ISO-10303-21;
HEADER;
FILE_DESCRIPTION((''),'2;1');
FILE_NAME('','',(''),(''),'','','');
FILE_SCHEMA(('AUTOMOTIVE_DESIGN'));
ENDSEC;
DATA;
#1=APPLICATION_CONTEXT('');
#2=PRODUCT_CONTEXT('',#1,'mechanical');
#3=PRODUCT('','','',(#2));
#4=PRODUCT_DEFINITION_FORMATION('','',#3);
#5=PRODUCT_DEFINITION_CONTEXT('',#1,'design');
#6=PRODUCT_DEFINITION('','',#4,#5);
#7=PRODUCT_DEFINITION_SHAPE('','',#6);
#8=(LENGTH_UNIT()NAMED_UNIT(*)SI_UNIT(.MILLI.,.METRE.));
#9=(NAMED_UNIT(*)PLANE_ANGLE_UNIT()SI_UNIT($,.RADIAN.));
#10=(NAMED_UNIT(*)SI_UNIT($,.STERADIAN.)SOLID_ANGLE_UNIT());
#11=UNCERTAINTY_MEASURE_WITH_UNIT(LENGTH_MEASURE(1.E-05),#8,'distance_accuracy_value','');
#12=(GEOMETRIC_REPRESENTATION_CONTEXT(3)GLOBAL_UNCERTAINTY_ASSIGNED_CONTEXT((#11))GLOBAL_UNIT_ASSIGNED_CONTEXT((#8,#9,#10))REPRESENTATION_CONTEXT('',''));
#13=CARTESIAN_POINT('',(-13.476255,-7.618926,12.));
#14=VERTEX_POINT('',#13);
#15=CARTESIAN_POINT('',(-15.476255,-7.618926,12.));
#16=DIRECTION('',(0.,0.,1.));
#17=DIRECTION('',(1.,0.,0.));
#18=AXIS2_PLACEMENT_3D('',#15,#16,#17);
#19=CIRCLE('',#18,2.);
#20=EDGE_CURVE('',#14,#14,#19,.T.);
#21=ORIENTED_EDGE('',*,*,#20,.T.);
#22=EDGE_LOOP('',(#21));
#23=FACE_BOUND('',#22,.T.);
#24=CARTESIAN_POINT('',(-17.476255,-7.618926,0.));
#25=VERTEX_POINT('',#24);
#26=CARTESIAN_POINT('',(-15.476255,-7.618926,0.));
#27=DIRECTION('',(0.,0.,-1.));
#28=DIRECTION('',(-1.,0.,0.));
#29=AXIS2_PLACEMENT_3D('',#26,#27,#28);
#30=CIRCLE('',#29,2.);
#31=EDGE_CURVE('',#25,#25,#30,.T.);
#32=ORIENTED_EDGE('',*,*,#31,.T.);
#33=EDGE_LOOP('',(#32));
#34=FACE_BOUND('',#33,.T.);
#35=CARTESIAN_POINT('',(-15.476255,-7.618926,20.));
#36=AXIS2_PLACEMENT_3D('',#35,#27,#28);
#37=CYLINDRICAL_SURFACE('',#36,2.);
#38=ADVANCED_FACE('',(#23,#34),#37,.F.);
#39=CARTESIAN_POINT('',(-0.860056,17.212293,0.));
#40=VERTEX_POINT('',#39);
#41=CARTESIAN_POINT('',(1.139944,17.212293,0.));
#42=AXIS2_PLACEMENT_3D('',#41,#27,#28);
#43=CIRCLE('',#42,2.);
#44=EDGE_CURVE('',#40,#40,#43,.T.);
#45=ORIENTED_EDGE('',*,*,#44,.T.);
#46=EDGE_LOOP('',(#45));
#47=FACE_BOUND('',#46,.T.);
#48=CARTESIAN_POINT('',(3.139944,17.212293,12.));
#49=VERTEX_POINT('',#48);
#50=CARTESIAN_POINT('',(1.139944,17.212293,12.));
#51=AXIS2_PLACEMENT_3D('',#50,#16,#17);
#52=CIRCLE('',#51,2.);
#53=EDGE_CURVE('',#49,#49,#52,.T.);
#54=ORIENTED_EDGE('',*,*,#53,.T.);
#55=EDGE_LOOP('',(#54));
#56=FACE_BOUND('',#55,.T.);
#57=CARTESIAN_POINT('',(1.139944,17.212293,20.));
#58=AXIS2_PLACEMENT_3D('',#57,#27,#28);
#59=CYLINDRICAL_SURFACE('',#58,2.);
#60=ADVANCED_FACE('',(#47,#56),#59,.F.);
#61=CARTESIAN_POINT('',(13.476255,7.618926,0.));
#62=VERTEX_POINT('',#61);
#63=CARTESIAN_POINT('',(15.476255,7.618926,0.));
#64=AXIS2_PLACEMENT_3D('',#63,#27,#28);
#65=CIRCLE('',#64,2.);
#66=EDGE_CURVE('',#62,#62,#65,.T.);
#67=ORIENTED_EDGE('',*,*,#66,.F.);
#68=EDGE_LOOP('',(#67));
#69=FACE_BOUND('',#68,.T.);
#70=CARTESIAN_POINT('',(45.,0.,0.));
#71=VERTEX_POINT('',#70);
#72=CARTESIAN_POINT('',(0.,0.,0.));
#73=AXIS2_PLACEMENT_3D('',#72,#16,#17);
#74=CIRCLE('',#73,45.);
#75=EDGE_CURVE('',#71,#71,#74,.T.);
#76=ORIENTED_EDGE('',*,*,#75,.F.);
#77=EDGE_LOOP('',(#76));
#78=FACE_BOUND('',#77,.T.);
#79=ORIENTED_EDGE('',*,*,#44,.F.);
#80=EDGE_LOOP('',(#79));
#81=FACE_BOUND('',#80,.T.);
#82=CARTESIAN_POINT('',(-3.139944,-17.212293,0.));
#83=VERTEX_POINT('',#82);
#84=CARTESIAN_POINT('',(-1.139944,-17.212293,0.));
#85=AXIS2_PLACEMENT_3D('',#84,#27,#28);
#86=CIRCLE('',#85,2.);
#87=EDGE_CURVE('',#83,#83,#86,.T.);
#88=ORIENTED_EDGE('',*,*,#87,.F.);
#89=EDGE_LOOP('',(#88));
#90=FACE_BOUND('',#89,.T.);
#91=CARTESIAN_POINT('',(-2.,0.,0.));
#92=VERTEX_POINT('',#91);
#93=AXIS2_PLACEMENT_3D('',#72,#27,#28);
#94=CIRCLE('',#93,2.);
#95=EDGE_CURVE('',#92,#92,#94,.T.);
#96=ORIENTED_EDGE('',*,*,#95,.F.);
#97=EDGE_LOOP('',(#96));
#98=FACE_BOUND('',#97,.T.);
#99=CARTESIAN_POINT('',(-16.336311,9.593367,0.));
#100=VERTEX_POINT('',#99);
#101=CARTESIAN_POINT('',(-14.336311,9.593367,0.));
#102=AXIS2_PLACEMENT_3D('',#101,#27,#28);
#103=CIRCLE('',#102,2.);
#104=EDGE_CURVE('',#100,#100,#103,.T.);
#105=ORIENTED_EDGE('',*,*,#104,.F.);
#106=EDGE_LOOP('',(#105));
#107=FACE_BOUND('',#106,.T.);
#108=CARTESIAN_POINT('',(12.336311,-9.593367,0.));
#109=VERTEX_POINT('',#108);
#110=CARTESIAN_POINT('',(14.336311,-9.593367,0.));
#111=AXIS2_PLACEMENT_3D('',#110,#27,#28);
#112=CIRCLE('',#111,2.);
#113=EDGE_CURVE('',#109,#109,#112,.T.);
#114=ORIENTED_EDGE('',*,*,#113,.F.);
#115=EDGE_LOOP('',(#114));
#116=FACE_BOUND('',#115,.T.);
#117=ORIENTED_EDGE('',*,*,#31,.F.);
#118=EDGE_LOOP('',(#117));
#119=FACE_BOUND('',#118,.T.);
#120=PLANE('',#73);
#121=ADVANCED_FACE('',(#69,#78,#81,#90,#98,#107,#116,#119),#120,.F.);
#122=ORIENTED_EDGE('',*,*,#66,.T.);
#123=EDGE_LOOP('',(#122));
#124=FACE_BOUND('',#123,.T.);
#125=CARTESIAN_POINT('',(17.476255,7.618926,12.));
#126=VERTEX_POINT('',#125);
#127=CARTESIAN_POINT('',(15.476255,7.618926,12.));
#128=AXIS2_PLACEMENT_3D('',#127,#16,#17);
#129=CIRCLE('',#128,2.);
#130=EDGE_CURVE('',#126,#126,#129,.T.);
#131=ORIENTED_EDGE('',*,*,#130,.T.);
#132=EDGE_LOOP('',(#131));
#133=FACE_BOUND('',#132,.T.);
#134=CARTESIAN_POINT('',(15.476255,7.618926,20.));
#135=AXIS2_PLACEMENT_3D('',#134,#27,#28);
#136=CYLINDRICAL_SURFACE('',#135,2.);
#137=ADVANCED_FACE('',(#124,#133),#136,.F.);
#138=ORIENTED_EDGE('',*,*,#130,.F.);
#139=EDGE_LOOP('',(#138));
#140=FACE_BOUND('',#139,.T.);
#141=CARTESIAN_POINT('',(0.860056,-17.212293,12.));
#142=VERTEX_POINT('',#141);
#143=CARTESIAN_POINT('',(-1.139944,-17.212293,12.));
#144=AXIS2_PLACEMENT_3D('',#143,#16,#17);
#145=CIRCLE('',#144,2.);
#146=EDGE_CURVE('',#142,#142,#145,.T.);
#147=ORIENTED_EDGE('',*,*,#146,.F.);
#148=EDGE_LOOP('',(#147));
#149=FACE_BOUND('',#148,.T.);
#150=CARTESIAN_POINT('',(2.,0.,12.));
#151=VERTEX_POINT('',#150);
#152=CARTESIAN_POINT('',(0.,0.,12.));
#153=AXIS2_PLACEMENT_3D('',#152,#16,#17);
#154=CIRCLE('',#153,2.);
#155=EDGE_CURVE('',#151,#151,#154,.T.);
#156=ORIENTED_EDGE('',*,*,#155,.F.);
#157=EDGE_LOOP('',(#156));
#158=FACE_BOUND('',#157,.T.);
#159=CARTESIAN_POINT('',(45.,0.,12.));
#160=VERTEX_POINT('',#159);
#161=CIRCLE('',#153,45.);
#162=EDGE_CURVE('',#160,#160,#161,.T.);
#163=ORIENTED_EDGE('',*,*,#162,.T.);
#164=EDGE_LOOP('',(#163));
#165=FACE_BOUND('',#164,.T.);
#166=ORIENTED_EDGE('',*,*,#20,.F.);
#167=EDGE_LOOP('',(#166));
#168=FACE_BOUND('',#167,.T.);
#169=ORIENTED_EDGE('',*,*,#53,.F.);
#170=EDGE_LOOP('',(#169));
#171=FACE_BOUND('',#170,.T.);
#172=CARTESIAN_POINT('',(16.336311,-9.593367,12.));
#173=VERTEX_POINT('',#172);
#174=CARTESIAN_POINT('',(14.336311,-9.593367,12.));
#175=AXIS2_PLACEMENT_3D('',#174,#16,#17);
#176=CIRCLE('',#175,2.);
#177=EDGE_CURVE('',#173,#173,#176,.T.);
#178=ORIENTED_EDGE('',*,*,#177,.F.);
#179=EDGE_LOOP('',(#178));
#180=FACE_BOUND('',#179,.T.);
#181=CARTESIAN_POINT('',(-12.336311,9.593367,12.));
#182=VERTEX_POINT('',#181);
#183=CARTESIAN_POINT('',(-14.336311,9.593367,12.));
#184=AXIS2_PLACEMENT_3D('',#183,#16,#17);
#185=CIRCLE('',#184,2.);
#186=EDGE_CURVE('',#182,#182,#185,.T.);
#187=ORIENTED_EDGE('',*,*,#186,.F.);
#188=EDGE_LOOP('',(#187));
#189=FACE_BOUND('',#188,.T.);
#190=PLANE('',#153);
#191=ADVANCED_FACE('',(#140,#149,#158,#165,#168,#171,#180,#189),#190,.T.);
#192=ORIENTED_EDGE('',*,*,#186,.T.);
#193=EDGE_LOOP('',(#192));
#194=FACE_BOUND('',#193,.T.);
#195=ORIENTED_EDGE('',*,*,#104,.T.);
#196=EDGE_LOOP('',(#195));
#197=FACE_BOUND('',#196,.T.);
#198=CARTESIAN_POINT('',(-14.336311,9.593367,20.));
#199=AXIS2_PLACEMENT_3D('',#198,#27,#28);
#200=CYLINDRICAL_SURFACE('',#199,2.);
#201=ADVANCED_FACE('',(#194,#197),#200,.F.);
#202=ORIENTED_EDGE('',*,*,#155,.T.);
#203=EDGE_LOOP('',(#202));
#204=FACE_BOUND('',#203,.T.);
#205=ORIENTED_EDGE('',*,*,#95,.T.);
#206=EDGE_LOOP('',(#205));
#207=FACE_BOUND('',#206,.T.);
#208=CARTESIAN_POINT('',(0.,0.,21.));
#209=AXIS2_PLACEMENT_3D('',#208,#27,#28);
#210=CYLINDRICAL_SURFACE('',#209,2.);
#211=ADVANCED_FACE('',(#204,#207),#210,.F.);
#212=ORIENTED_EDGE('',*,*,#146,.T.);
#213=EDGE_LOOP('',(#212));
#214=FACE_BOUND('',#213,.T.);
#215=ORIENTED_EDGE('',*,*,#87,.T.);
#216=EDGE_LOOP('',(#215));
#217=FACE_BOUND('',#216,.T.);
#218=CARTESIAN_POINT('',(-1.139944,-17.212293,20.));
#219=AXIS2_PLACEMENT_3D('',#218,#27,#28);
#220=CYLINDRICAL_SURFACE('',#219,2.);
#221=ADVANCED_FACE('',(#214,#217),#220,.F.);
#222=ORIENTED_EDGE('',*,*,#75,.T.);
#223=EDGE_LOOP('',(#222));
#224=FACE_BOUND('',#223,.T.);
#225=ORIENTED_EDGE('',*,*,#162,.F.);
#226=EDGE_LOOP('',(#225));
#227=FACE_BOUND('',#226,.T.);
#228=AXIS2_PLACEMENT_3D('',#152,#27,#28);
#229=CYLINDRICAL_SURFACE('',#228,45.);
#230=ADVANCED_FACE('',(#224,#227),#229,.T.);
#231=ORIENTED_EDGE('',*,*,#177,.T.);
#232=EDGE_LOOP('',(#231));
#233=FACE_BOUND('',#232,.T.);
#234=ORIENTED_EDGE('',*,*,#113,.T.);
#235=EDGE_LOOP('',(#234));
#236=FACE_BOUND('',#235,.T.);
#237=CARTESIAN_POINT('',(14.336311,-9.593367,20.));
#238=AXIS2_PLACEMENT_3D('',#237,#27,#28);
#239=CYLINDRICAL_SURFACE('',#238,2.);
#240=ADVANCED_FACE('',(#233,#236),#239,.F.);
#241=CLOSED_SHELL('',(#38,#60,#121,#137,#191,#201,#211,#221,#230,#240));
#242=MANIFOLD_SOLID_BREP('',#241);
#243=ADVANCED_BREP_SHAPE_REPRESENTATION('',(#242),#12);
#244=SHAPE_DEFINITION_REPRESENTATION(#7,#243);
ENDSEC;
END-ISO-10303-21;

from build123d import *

# Parameters (mm, degrees)
SKETCH_1_R          = 45
EXTRUDE_1_DEPTH     = 12
SKETCH_5_R          = 2
CUT_EXTRUDE_1_DEPTH = 20
SKETCH_6_R          = 2
CUT_EXTRUDE_2_DEPTH = 21


with BuildPart() as part:
    # 草图1 → 凸台-拉伸1 (new body)
    with BuildSketch(Plane.XY):
        Circle(SKETCH_1_R)
    extrude(amount=EXTRUDE_1_DEPTH)

    # 草图5 → 切除-拉伸1 (cut)
    with BuildSketch(Plane(origin=(0, 0, 0), x_dir=(-1, 0, 0), z_dir=(0, 0, -1))):
        with Locations((-15.476254719, 7.618926425)):
            Circle(SKETCH_5_R)
        with Locations((-1.139943526, 17.212292955)):
            Circle(SKETCH_5_R)
        with Locations((14.336311193, 9.59336653)):
            Circle(SKETCH_5_R)
        with Locations((15.476254719, -7.618926425)):
            Circle(SKETCH_5_R)
        with Locations((1.139943526, -17.212292955)):
            Circle(SKETCH_5_R)
        with Locations((-14.336311193, -9.59336653)):
            Circle(SKETCH_5_R)
    extrude(amount=-CUT_EXTRUDE_1_DEPTH, mode=Mode.SUBTRACT)

    # 草图6 → 切除-拉伸2 (cut)
    with BuildSketch(Plane(origin=(0, 0, 0), x_dir=(-1, 0, 0), z_dir=(0, 0, -1))):
        Circle(SKETCH_6_R)
    extrude(amount=-CUT_EXTRUDE_2_DEPTH, mode=Mode.SUBTRACT)


solid = part.part
